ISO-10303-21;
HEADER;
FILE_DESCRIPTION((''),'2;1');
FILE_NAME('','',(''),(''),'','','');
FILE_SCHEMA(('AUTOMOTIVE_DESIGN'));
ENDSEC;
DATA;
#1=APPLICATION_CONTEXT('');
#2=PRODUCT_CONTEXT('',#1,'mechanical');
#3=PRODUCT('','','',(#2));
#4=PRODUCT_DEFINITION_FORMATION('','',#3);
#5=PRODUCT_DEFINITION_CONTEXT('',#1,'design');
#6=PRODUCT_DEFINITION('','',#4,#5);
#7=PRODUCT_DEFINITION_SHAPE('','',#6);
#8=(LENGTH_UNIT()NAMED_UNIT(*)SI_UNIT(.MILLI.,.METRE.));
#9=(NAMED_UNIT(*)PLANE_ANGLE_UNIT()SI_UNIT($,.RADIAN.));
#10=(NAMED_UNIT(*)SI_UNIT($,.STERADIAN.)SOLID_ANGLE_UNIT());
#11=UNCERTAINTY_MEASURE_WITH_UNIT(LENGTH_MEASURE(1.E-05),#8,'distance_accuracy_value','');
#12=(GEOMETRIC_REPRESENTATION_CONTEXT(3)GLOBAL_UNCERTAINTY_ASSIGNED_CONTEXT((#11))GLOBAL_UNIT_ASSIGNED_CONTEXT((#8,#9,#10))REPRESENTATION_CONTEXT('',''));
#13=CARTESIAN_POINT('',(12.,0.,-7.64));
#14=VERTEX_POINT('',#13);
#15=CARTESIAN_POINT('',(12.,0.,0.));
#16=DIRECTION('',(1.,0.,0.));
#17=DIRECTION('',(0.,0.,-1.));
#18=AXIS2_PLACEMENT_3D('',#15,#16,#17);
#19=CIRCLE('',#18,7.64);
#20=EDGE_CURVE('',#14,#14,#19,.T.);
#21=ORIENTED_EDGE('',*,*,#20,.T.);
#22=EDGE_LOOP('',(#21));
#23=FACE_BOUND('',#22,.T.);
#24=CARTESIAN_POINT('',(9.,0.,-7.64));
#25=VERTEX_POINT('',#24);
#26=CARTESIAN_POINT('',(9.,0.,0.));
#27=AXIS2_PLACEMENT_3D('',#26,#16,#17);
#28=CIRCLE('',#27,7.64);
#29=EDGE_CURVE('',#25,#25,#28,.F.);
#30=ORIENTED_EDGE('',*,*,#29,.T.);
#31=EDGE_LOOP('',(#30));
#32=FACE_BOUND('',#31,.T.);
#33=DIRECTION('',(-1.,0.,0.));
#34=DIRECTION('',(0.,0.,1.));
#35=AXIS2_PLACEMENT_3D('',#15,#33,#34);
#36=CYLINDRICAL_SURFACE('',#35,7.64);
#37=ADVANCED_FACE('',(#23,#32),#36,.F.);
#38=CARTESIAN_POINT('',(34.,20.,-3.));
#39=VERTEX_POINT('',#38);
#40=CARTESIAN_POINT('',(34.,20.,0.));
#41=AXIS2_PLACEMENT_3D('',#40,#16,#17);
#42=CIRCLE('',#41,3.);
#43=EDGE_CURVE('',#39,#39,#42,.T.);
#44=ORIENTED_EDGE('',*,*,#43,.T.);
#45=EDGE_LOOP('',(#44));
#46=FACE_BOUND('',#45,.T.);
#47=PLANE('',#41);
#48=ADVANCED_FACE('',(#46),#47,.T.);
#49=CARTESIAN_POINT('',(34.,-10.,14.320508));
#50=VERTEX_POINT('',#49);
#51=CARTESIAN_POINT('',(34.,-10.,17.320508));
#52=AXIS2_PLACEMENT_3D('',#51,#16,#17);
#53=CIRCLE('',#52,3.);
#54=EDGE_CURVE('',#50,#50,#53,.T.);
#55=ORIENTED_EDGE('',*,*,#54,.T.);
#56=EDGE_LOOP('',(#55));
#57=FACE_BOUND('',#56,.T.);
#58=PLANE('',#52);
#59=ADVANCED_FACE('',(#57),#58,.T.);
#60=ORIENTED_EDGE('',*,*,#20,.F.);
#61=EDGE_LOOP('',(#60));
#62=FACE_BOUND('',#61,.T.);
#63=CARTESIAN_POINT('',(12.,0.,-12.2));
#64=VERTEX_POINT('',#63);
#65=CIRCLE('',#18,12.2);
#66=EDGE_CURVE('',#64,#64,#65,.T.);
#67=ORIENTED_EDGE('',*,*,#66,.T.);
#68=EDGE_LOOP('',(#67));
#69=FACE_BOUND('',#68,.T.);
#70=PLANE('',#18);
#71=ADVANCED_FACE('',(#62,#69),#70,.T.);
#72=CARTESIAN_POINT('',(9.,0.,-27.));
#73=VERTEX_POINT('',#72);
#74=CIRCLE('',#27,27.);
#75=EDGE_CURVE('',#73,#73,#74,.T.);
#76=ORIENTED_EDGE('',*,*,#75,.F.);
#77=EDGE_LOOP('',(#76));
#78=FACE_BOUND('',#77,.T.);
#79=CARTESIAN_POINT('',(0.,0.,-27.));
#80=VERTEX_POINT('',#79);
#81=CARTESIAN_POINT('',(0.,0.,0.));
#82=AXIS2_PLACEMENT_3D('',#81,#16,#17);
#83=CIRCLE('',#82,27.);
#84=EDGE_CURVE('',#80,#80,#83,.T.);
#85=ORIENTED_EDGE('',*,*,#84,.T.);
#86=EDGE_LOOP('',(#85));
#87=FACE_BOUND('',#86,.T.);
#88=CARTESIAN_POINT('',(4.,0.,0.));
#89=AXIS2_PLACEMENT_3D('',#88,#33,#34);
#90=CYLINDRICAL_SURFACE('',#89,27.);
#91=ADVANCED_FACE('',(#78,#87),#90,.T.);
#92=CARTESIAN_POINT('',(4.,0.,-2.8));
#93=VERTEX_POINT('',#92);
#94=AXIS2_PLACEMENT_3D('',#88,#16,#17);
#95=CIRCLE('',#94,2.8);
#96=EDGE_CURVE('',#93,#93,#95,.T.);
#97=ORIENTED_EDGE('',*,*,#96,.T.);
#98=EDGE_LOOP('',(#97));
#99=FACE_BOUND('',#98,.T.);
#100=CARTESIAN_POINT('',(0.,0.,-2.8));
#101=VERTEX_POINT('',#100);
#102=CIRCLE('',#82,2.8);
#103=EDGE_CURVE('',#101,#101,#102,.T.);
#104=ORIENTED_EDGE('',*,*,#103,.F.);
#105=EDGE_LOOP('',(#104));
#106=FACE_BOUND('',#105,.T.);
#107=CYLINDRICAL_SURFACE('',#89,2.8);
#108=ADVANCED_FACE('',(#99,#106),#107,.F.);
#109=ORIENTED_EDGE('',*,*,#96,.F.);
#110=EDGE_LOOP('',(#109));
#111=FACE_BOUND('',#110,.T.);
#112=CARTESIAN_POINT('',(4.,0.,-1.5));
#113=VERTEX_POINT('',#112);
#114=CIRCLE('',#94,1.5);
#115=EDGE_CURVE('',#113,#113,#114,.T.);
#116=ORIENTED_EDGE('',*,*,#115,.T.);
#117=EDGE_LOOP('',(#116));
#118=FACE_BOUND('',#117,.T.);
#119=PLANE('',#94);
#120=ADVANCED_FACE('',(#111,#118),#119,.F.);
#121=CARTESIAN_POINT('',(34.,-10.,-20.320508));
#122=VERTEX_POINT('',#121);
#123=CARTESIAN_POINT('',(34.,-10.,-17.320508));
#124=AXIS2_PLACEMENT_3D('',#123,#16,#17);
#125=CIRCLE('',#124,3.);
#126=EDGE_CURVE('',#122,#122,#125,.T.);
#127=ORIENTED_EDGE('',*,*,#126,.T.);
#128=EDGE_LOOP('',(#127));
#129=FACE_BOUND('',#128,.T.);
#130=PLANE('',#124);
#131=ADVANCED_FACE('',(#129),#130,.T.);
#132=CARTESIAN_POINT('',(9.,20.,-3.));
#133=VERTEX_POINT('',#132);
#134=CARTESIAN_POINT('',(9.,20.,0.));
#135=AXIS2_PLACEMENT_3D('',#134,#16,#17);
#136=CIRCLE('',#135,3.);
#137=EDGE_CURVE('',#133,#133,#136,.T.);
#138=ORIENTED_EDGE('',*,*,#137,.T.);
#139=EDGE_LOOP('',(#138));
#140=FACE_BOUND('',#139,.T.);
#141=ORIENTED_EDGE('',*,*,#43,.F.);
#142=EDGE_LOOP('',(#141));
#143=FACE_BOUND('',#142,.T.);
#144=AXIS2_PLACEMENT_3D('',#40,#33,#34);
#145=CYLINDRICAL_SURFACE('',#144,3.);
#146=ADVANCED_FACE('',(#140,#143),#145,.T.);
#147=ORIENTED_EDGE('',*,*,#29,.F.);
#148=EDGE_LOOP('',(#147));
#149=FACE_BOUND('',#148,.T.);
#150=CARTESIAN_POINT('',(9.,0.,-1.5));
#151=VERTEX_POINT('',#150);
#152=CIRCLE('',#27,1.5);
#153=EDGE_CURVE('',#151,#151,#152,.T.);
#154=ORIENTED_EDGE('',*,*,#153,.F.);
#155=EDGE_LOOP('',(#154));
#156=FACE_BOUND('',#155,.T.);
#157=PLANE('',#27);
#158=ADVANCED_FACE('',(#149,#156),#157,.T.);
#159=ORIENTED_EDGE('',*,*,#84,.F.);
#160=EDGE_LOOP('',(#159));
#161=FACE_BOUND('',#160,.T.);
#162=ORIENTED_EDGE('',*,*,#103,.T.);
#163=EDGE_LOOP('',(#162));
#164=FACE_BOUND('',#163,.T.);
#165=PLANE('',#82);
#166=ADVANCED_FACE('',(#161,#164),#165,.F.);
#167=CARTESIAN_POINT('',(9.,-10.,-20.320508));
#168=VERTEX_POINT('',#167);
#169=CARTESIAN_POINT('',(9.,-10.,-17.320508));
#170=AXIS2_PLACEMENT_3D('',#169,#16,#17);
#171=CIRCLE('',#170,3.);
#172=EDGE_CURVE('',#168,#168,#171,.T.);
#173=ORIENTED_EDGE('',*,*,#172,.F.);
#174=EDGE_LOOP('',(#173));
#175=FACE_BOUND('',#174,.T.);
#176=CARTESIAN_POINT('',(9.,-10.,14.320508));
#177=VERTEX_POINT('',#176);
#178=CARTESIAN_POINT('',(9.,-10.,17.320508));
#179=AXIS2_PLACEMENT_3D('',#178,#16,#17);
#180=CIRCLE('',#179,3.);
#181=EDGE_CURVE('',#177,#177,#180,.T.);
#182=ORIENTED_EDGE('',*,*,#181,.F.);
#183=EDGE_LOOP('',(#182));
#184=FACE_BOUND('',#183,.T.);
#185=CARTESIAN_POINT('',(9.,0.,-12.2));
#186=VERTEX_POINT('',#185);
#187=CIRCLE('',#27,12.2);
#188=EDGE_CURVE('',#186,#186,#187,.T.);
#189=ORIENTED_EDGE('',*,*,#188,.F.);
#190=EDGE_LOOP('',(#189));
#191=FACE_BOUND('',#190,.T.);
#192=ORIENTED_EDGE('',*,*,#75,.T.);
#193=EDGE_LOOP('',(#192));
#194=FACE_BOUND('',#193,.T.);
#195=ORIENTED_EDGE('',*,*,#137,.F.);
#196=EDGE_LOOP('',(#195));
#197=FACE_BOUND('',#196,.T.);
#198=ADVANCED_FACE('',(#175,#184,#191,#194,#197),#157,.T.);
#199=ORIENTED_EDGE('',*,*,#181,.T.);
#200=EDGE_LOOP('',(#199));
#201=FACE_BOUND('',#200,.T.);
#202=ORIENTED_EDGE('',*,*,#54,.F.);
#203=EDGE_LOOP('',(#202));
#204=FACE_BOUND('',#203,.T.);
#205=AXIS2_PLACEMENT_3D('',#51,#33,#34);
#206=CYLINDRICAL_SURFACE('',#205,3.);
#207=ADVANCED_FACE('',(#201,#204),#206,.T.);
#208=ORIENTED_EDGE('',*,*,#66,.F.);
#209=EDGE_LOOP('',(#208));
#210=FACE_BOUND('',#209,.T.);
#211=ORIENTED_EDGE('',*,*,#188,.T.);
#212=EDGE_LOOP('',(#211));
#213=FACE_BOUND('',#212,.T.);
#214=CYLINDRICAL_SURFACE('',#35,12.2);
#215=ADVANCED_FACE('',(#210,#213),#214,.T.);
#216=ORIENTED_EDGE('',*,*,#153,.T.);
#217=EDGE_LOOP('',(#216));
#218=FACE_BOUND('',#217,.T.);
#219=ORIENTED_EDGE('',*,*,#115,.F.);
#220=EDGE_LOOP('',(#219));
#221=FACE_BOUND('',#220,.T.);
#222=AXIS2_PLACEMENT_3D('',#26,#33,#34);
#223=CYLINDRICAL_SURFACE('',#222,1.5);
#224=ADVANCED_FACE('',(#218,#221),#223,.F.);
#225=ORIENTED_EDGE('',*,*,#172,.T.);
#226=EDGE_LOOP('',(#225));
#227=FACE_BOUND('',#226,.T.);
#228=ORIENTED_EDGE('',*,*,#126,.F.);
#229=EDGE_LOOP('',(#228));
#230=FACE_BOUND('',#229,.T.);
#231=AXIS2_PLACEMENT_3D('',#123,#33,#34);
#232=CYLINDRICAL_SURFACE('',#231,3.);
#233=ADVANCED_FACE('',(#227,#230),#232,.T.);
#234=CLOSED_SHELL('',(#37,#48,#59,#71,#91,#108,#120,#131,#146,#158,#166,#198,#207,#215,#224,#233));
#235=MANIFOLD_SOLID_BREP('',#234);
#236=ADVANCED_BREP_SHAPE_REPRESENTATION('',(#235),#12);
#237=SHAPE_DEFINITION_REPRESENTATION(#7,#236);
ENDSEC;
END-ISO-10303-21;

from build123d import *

# Parameters (mm, degrees)
SKETCH1_R           = 27
SKETCH1_R_2         = 2.8
BOSS_EXTRUDE2_DEPTH = 4
SKETCH2_R           = 27
SKETCH2_R_2         = 2.8
SKETCH2_R_3         = 1.5
BOSS_EXTRUDE3_DEPTH = 5
SKETCH3_R           = 3
BOSS_EXTRUDE4_DEPTH = 25
SKETCH4_R           = 12.2
SKETCH4_R_2         = 7.64
BOSS_EXTRUDE5_DEPTH = 3


with BuildPart() as part:
    # Sketch1 → Boss-Extrude2 (new body)
    with BuildSketch(Plane(origin=(0, 0, 0), x_dir=(0, 0, -1), z_dir=(1, 0, 0))):
        Circle(SKETCH1_R)
        Circle(SKETCH1_R_2, mode=Mode.SUBTRACT)
    extrude(amount=BOSS_EXTRUDE2_DEPTH)

    # Sketch2 → Boss-Extrude3 (add)
    with BuildSketch(Plane(origin=(4, 0, 0), x_dir=(0, 0, -1), z_dir=(1, 0, 0))):
        Circle(SKETCH2_R)
        Circle(SKETCH2_R_2, mode=Mode.SUBTRACT)
        Circle(SKETCH2_R_2)
        Circle(SKETCH2_R_3, mode=Mode.SUBTRACT)
    extrude(amount=BOSS_EXTRUDE3_DEPTH)

    # Sketch3 → Boss-Extrude4 (add)
    with BuildSketch(Plane(origin=(9, 0, 0), x_dir=(0, 0, -1), z_dir=(1, 0, 0))):
        with Locations((0, 20)):
            Circle(SKETCH3_R)
        with Locations((17.320508076, -10)):
            Circle(SKETCH3_R)
        with Locations((-17.320508076, -10)):
            Circle(SKETCH3_R)
    extrude(amount=BOSS_EXTRUDE4_DEPTH)

    # Sketch4 → Boss-Extrude5 (add)
    with BuildSketch(Plane(origin=(9, 0, 0), x_dir=(0, 0, -1), z_dir=(1, 0, 0))):
        Circle(SKETCH4_R)
        Circle(SKETCH4_R_2, mode=Mode.SUBTRACT)
    extrude(amount=BOSS_EXTRUDE5_DEPTH)


solid = part.part
